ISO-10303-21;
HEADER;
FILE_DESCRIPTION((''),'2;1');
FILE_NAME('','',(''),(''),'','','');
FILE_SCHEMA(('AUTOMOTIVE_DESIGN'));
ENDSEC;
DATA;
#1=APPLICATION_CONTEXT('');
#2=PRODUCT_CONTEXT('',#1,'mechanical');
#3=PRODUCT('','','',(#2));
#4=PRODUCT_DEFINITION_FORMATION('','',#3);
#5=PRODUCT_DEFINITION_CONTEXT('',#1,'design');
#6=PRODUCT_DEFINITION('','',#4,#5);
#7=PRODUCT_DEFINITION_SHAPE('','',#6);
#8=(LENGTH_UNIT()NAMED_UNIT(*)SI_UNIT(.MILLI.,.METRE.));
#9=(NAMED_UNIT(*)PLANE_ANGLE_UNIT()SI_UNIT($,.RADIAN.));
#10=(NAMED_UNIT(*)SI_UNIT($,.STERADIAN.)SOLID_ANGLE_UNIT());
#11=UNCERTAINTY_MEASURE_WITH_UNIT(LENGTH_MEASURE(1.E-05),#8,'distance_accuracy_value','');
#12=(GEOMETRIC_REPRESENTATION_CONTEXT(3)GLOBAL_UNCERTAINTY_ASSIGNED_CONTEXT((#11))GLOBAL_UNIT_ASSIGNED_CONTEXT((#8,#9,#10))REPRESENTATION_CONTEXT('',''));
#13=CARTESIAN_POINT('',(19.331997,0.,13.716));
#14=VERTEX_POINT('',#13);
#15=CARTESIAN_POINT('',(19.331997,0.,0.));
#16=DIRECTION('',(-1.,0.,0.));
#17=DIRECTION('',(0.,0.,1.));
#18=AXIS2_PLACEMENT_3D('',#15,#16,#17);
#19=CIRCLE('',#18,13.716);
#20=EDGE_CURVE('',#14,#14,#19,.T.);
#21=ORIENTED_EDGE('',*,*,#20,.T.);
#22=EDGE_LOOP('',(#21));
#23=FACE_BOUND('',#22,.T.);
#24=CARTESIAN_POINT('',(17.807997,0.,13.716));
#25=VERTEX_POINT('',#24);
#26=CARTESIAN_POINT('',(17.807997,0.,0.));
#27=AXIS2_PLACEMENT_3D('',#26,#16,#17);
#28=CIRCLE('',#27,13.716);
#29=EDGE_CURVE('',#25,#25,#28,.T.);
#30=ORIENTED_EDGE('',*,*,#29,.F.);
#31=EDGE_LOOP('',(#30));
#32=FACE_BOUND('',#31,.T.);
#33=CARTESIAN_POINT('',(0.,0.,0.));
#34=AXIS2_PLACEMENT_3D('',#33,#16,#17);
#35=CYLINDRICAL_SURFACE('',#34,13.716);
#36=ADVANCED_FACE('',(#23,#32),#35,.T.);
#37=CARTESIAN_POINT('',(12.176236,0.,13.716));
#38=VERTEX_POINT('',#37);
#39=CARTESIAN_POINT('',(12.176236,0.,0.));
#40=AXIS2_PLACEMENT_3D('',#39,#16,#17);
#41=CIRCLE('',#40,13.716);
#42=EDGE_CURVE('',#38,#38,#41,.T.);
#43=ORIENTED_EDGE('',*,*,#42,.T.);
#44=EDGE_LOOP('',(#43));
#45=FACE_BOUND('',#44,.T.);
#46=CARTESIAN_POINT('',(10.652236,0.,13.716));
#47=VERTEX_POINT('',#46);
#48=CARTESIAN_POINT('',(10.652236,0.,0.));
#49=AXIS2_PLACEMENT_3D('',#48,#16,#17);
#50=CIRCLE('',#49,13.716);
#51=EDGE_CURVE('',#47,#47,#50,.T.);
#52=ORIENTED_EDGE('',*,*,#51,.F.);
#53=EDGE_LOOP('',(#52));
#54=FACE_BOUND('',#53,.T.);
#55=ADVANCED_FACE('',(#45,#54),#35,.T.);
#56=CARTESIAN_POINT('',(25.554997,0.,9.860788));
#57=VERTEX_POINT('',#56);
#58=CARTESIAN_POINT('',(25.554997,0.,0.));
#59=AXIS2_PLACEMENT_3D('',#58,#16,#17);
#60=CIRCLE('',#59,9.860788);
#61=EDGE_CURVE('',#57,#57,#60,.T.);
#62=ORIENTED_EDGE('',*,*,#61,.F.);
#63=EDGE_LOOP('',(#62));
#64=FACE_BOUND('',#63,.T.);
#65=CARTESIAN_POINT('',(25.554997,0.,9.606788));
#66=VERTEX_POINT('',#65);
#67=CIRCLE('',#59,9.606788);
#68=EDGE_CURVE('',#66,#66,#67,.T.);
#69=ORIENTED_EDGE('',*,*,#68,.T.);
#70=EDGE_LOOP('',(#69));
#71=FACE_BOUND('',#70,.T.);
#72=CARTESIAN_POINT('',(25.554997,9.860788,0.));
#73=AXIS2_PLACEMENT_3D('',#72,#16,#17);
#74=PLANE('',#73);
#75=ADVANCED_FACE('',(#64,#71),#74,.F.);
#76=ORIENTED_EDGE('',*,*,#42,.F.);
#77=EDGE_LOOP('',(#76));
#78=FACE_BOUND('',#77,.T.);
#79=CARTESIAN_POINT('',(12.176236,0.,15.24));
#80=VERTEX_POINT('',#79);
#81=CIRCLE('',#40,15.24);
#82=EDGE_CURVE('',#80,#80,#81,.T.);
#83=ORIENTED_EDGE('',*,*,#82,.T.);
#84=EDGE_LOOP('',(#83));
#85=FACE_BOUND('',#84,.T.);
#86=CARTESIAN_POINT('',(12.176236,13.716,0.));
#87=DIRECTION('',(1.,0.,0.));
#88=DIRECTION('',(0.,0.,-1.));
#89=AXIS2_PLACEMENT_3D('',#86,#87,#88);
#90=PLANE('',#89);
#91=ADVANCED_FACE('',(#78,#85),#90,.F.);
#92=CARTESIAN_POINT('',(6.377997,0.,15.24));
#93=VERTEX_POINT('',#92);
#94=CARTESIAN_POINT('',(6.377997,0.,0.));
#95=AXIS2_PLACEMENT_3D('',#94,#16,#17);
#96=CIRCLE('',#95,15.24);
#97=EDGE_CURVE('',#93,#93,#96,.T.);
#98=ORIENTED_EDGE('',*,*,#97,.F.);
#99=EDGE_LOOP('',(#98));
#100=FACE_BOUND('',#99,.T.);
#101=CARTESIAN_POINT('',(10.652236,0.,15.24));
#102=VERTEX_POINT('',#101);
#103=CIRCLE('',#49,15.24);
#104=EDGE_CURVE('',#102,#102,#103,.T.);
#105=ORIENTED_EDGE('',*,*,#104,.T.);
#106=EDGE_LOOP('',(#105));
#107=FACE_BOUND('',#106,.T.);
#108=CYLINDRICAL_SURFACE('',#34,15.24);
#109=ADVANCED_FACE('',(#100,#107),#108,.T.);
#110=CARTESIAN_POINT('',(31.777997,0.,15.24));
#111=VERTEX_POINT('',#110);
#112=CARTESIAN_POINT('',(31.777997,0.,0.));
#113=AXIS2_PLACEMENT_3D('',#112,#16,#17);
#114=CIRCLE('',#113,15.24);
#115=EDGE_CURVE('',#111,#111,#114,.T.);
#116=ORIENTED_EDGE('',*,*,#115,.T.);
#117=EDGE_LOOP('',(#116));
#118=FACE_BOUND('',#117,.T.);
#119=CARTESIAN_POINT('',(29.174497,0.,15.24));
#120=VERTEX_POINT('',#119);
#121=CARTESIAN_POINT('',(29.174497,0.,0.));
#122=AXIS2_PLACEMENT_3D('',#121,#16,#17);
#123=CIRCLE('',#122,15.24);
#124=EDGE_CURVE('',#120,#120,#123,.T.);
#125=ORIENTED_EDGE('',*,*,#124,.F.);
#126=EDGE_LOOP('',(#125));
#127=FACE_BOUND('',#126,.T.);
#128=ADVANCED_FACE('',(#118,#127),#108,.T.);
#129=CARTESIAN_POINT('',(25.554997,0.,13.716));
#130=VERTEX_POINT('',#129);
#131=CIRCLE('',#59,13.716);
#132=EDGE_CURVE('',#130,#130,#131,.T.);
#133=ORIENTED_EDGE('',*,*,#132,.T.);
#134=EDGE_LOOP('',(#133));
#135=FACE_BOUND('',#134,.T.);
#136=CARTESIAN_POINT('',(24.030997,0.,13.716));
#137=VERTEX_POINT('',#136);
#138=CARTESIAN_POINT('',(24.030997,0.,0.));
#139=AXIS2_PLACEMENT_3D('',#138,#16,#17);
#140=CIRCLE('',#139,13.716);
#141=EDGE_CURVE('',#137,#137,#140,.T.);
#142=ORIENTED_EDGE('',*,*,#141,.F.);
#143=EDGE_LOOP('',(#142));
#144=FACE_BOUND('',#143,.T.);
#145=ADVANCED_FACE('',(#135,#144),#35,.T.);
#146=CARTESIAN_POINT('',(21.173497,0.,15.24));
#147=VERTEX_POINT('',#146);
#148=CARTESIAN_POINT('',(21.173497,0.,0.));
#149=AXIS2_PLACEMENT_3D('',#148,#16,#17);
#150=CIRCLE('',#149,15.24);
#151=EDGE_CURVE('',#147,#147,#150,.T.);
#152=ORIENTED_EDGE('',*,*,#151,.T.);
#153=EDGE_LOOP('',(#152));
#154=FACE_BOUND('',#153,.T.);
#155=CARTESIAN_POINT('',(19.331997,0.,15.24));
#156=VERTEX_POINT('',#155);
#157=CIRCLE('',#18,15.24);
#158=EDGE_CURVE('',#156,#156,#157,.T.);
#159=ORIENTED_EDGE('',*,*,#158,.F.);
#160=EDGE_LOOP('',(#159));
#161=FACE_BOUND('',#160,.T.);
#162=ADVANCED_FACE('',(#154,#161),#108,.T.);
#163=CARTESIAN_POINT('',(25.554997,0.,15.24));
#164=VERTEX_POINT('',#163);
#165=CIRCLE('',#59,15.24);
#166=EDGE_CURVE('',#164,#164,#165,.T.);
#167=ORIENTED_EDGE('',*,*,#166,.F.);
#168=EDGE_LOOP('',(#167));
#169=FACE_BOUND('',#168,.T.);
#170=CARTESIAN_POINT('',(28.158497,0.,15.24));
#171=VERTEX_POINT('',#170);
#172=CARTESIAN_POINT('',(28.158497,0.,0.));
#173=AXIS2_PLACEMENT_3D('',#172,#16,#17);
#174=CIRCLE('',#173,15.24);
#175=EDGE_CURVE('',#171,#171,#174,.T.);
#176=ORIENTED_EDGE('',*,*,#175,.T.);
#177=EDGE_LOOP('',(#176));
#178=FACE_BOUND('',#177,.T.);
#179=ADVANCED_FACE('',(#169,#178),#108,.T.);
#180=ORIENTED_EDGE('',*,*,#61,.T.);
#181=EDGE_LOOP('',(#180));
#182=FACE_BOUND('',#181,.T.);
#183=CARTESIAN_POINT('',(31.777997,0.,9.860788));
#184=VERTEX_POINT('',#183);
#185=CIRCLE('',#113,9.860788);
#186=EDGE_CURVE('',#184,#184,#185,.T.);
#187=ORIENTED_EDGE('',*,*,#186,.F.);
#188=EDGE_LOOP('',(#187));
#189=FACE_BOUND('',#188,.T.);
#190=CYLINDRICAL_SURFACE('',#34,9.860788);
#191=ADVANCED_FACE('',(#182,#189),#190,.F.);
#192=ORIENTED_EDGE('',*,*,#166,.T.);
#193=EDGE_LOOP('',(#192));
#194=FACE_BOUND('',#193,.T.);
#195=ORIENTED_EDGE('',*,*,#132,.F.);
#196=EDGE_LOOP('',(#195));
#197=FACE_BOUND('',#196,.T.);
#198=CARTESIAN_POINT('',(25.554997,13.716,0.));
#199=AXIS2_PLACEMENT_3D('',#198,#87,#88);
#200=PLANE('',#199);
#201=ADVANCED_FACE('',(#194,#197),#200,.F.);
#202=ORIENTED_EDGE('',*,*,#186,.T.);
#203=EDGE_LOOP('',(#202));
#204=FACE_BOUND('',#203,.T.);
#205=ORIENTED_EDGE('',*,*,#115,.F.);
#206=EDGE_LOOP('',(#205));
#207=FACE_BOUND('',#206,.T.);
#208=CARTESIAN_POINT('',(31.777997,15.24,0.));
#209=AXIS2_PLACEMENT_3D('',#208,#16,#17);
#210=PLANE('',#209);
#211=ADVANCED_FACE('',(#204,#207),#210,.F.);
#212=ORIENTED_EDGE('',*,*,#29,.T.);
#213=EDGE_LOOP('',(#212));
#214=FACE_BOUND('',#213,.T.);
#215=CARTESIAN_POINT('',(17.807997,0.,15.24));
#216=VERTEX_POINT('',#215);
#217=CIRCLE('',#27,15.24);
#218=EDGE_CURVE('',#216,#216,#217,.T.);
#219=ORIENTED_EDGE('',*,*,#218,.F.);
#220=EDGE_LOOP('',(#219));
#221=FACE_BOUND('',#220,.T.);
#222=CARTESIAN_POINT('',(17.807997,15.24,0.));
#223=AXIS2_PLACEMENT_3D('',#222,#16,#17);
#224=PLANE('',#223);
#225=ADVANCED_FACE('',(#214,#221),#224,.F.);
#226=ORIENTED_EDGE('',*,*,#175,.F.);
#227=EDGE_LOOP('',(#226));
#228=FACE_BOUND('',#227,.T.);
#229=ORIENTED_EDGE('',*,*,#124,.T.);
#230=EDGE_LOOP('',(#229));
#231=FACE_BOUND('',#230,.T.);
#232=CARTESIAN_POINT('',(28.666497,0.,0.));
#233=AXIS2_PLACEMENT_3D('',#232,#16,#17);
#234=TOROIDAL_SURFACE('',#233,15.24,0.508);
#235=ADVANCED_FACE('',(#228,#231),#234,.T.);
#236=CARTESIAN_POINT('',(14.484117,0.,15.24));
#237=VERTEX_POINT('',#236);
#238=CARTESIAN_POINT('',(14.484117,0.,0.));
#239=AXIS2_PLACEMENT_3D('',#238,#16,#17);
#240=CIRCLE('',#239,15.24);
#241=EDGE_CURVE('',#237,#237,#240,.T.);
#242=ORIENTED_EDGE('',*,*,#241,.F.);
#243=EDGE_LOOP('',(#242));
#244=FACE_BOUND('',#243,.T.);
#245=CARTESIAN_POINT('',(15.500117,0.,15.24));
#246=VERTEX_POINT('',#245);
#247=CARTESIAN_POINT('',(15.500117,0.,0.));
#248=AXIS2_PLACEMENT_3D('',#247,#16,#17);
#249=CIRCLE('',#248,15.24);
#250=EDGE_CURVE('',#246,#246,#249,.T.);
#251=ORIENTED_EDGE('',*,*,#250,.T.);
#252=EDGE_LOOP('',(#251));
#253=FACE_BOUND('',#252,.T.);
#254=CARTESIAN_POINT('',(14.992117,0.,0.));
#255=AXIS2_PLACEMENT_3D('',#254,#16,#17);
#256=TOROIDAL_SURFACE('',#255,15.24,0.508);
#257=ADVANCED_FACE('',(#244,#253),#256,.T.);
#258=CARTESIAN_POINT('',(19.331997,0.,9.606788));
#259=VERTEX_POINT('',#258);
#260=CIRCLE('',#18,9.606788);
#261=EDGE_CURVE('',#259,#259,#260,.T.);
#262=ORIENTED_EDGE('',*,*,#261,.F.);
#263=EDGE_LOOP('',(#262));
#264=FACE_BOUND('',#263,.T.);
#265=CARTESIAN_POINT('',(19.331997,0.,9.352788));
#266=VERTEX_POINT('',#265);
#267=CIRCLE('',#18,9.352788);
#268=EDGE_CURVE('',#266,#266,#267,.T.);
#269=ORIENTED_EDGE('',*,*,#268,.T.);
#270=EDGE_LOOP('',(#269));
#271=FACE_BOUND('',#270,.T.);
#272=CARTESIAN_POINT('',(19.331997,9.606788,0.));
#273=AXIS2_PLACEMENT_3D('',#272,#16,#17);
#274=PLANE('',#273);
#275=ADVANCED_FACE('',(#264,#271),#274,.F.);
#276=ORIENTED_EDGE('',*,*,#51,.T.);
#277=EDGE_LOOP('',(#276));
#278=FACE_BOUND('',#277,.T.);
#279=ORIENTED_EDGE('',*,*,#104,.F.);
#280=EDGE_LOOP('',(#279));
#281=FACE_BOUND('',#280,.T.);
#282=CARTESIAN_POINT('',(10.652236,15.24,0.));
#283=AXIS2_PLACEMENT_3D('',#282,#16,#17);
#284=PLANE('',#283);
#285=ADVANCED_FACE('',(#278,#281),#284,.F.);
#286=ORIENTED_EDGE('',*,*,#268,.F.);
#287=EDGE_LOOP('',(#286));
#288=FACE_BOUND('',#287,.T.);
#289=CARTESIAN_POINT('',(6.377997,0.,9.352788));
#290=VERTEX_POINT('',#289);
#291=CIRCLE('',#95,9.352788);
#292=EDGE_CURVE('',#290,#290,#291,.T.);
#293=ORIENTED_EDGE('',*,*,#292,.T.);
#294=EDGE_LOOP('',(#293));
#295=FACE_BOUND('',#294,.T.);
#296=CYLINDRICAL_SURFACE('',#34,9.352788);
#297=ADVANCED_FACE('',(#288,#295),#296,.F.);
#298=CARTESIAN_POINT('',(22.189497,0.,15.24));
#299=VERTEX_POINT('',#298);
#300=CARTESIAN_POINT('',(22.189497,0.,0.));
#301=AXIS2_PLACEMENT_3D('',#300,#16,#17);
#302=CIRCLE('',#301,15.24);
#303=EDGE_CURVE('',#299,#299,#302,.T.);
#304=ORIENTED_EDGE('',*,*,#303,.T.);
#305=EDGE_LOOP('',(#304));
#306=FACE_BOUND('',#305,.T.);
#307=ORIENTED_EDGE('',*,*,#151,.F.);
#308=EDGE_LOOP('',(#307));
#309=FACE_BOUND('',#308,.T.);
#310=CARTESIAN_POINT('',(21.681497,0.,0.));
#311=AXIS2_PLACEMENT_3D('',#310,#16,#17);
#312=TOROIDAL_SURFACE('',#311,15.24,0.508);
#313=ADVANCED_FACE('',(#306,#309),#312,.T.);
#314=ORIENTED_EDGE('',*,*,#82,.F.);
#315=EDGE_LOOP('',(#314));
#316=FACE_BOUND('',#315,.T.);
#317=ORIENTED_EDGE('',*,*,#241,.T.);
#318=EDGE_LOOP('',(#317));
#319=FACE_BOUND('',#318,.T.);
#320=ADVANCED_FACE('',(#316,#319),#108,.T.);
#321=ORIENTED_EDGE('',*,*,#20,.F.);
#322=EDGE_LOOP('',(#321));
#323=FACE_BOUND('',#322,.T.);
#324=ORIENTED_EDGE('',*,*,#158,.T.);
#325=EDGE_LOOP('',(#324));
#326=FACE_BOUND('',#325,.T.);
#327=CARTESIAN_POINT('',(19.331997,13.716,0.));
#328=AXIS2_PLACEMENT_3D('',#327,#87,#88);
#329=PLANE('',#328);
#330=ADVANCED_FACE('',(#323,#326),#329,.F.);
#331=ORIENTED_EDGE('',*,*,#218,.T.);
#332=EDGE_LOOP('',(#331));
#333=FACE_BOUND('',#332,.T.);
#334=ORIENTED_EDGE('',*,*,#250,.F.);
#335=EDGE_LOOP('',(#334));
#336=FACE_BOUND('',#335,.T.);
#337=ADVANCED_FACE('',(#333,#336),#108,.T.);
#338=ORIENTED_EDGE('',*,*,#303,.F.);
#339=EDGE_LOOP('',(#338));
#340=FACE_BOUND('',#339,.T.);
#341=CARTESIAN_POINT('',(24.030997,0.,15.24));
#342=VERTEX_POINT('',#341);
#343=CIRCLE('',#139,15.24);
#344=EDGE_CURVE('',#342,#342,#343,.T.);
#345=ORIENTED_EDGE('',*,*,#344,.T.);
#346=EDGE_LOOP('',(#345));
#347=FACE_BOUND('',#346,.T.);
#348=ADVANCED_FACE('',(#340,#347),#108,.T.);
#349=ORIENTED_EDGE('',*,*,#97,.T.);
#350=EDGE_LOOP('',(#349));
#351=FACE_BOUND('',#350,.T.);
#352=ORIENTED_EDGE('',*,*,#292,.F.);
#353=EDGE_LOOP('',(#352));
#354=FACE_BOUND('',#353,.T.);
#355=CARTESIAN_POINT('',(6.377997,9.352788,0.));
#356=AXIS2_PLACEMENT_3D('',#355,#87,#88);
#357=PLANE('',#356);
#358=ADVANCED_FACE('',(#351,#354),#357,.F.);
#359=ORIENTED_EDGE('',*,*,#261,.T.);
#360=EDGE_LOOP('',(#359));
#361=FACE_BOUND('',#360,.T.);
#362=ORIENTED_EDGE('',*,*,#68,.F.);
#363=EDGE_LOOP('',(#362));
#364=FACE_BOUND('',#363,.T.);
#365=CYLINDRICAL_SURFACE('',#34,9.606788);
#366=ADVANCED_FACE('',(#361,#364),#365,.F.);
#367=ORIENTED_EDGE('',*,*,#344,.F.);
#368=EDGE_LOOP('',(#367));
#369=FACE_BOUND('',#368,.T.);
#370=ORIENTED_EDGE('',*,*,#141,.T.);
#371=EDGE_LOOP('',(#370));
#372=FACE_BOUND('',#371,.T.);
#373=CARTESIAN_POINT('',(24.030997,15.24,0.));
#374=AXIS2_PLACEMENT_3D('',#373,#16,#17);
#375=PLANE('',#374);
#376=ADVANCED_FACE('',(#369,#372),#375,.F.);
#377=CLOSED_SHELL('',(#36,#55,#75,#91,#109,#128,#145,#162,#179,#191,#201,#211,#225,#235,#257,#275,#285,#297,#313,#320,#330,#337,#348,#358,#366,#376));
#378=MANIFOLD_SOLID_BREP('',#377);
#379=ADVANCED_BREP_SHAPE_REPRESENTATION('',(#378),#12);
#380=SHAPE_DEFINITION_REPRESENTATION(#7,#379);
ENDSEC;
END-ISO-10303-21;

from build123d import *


with BuildPart() as part:
    # Sketch1 → Revolve1 (revolve)
    with BuildSketch(Plane.XY):
        with BuildLine():
            Line((6.377996837, 9.352788), (6.377996837, 15.24))
            Line((6.377996837, 15.24), (10.652236324, 15.24))
            Line((10.652236324, 15.24), (10.652236324, 13.716))
            Line((10.652236324, 13.716), (12.176236324, 13.716))
            Line((12.176236324, 13.716), (12.176236324, 15.24))
            Line((12.176236324, 15.24), (14.484116581, 15.24))
            ThreePointArc((14.484116581, 15.24), (14.992116581, 15.748), (15.500116581, 15.24))
            Line((15.500116581, 15.24), (17.807996837, 15.24))
            Line((17.807996837, 15.24), (17.807996837, 13.716))
            Line((17.807996837, 13.716), (19.331996837, 13.716))
            Line((19.331996837, 13.716), (19.331996837, 15.24))
            Line((19.331996837, 15.24), (21.173496837, 15.24))
            ThreePointArc((21.173496837, 15.24), (21.681496837, 15.748), (22.189496837, 15.24))
            Line((22.189496837, 15.24), (24.030996837, 15.24))
            Line((24.030996837, 15.24), (24.030996837, 13.716))
            Line((24.030996837, 13.716), (25.554996837, 13.716))
            Line((25.554996837, 13.716), (25.554996837, 15.24))
            Line((25.554996837, 15.24), (28.158496837, 15.24))
            ThreePointArc((28.158496837, 15.24), (28.666496837, 15.748), (29.174496837, 15.24))
            Line((29.174496837, 15.24), (31.777996837, 15.24))
            Line((31.777996837, 15.24), (31.777996837, 9.860788))
            Line((31.777996837, 9.860788), (25.554996837, 9.860788))
            Line((25.554996837, 9.860788), (25.554996837, 9.606788))
            Line((25.554996837, 9.606788), (19.331996837, 9.606788))
            Line((19.331996837, 9.606788), (19.331996837, 9.352788))
            Line((19.331996837, 9.352788), (13.108996837, 9.352788))
            Line((13.108996837, 9.352788), (6.377996837, 9.352788))
        make_face()
    revolve(axis=Axis((0, 0, 0), (1, 0, 0)))


solid = part.part
